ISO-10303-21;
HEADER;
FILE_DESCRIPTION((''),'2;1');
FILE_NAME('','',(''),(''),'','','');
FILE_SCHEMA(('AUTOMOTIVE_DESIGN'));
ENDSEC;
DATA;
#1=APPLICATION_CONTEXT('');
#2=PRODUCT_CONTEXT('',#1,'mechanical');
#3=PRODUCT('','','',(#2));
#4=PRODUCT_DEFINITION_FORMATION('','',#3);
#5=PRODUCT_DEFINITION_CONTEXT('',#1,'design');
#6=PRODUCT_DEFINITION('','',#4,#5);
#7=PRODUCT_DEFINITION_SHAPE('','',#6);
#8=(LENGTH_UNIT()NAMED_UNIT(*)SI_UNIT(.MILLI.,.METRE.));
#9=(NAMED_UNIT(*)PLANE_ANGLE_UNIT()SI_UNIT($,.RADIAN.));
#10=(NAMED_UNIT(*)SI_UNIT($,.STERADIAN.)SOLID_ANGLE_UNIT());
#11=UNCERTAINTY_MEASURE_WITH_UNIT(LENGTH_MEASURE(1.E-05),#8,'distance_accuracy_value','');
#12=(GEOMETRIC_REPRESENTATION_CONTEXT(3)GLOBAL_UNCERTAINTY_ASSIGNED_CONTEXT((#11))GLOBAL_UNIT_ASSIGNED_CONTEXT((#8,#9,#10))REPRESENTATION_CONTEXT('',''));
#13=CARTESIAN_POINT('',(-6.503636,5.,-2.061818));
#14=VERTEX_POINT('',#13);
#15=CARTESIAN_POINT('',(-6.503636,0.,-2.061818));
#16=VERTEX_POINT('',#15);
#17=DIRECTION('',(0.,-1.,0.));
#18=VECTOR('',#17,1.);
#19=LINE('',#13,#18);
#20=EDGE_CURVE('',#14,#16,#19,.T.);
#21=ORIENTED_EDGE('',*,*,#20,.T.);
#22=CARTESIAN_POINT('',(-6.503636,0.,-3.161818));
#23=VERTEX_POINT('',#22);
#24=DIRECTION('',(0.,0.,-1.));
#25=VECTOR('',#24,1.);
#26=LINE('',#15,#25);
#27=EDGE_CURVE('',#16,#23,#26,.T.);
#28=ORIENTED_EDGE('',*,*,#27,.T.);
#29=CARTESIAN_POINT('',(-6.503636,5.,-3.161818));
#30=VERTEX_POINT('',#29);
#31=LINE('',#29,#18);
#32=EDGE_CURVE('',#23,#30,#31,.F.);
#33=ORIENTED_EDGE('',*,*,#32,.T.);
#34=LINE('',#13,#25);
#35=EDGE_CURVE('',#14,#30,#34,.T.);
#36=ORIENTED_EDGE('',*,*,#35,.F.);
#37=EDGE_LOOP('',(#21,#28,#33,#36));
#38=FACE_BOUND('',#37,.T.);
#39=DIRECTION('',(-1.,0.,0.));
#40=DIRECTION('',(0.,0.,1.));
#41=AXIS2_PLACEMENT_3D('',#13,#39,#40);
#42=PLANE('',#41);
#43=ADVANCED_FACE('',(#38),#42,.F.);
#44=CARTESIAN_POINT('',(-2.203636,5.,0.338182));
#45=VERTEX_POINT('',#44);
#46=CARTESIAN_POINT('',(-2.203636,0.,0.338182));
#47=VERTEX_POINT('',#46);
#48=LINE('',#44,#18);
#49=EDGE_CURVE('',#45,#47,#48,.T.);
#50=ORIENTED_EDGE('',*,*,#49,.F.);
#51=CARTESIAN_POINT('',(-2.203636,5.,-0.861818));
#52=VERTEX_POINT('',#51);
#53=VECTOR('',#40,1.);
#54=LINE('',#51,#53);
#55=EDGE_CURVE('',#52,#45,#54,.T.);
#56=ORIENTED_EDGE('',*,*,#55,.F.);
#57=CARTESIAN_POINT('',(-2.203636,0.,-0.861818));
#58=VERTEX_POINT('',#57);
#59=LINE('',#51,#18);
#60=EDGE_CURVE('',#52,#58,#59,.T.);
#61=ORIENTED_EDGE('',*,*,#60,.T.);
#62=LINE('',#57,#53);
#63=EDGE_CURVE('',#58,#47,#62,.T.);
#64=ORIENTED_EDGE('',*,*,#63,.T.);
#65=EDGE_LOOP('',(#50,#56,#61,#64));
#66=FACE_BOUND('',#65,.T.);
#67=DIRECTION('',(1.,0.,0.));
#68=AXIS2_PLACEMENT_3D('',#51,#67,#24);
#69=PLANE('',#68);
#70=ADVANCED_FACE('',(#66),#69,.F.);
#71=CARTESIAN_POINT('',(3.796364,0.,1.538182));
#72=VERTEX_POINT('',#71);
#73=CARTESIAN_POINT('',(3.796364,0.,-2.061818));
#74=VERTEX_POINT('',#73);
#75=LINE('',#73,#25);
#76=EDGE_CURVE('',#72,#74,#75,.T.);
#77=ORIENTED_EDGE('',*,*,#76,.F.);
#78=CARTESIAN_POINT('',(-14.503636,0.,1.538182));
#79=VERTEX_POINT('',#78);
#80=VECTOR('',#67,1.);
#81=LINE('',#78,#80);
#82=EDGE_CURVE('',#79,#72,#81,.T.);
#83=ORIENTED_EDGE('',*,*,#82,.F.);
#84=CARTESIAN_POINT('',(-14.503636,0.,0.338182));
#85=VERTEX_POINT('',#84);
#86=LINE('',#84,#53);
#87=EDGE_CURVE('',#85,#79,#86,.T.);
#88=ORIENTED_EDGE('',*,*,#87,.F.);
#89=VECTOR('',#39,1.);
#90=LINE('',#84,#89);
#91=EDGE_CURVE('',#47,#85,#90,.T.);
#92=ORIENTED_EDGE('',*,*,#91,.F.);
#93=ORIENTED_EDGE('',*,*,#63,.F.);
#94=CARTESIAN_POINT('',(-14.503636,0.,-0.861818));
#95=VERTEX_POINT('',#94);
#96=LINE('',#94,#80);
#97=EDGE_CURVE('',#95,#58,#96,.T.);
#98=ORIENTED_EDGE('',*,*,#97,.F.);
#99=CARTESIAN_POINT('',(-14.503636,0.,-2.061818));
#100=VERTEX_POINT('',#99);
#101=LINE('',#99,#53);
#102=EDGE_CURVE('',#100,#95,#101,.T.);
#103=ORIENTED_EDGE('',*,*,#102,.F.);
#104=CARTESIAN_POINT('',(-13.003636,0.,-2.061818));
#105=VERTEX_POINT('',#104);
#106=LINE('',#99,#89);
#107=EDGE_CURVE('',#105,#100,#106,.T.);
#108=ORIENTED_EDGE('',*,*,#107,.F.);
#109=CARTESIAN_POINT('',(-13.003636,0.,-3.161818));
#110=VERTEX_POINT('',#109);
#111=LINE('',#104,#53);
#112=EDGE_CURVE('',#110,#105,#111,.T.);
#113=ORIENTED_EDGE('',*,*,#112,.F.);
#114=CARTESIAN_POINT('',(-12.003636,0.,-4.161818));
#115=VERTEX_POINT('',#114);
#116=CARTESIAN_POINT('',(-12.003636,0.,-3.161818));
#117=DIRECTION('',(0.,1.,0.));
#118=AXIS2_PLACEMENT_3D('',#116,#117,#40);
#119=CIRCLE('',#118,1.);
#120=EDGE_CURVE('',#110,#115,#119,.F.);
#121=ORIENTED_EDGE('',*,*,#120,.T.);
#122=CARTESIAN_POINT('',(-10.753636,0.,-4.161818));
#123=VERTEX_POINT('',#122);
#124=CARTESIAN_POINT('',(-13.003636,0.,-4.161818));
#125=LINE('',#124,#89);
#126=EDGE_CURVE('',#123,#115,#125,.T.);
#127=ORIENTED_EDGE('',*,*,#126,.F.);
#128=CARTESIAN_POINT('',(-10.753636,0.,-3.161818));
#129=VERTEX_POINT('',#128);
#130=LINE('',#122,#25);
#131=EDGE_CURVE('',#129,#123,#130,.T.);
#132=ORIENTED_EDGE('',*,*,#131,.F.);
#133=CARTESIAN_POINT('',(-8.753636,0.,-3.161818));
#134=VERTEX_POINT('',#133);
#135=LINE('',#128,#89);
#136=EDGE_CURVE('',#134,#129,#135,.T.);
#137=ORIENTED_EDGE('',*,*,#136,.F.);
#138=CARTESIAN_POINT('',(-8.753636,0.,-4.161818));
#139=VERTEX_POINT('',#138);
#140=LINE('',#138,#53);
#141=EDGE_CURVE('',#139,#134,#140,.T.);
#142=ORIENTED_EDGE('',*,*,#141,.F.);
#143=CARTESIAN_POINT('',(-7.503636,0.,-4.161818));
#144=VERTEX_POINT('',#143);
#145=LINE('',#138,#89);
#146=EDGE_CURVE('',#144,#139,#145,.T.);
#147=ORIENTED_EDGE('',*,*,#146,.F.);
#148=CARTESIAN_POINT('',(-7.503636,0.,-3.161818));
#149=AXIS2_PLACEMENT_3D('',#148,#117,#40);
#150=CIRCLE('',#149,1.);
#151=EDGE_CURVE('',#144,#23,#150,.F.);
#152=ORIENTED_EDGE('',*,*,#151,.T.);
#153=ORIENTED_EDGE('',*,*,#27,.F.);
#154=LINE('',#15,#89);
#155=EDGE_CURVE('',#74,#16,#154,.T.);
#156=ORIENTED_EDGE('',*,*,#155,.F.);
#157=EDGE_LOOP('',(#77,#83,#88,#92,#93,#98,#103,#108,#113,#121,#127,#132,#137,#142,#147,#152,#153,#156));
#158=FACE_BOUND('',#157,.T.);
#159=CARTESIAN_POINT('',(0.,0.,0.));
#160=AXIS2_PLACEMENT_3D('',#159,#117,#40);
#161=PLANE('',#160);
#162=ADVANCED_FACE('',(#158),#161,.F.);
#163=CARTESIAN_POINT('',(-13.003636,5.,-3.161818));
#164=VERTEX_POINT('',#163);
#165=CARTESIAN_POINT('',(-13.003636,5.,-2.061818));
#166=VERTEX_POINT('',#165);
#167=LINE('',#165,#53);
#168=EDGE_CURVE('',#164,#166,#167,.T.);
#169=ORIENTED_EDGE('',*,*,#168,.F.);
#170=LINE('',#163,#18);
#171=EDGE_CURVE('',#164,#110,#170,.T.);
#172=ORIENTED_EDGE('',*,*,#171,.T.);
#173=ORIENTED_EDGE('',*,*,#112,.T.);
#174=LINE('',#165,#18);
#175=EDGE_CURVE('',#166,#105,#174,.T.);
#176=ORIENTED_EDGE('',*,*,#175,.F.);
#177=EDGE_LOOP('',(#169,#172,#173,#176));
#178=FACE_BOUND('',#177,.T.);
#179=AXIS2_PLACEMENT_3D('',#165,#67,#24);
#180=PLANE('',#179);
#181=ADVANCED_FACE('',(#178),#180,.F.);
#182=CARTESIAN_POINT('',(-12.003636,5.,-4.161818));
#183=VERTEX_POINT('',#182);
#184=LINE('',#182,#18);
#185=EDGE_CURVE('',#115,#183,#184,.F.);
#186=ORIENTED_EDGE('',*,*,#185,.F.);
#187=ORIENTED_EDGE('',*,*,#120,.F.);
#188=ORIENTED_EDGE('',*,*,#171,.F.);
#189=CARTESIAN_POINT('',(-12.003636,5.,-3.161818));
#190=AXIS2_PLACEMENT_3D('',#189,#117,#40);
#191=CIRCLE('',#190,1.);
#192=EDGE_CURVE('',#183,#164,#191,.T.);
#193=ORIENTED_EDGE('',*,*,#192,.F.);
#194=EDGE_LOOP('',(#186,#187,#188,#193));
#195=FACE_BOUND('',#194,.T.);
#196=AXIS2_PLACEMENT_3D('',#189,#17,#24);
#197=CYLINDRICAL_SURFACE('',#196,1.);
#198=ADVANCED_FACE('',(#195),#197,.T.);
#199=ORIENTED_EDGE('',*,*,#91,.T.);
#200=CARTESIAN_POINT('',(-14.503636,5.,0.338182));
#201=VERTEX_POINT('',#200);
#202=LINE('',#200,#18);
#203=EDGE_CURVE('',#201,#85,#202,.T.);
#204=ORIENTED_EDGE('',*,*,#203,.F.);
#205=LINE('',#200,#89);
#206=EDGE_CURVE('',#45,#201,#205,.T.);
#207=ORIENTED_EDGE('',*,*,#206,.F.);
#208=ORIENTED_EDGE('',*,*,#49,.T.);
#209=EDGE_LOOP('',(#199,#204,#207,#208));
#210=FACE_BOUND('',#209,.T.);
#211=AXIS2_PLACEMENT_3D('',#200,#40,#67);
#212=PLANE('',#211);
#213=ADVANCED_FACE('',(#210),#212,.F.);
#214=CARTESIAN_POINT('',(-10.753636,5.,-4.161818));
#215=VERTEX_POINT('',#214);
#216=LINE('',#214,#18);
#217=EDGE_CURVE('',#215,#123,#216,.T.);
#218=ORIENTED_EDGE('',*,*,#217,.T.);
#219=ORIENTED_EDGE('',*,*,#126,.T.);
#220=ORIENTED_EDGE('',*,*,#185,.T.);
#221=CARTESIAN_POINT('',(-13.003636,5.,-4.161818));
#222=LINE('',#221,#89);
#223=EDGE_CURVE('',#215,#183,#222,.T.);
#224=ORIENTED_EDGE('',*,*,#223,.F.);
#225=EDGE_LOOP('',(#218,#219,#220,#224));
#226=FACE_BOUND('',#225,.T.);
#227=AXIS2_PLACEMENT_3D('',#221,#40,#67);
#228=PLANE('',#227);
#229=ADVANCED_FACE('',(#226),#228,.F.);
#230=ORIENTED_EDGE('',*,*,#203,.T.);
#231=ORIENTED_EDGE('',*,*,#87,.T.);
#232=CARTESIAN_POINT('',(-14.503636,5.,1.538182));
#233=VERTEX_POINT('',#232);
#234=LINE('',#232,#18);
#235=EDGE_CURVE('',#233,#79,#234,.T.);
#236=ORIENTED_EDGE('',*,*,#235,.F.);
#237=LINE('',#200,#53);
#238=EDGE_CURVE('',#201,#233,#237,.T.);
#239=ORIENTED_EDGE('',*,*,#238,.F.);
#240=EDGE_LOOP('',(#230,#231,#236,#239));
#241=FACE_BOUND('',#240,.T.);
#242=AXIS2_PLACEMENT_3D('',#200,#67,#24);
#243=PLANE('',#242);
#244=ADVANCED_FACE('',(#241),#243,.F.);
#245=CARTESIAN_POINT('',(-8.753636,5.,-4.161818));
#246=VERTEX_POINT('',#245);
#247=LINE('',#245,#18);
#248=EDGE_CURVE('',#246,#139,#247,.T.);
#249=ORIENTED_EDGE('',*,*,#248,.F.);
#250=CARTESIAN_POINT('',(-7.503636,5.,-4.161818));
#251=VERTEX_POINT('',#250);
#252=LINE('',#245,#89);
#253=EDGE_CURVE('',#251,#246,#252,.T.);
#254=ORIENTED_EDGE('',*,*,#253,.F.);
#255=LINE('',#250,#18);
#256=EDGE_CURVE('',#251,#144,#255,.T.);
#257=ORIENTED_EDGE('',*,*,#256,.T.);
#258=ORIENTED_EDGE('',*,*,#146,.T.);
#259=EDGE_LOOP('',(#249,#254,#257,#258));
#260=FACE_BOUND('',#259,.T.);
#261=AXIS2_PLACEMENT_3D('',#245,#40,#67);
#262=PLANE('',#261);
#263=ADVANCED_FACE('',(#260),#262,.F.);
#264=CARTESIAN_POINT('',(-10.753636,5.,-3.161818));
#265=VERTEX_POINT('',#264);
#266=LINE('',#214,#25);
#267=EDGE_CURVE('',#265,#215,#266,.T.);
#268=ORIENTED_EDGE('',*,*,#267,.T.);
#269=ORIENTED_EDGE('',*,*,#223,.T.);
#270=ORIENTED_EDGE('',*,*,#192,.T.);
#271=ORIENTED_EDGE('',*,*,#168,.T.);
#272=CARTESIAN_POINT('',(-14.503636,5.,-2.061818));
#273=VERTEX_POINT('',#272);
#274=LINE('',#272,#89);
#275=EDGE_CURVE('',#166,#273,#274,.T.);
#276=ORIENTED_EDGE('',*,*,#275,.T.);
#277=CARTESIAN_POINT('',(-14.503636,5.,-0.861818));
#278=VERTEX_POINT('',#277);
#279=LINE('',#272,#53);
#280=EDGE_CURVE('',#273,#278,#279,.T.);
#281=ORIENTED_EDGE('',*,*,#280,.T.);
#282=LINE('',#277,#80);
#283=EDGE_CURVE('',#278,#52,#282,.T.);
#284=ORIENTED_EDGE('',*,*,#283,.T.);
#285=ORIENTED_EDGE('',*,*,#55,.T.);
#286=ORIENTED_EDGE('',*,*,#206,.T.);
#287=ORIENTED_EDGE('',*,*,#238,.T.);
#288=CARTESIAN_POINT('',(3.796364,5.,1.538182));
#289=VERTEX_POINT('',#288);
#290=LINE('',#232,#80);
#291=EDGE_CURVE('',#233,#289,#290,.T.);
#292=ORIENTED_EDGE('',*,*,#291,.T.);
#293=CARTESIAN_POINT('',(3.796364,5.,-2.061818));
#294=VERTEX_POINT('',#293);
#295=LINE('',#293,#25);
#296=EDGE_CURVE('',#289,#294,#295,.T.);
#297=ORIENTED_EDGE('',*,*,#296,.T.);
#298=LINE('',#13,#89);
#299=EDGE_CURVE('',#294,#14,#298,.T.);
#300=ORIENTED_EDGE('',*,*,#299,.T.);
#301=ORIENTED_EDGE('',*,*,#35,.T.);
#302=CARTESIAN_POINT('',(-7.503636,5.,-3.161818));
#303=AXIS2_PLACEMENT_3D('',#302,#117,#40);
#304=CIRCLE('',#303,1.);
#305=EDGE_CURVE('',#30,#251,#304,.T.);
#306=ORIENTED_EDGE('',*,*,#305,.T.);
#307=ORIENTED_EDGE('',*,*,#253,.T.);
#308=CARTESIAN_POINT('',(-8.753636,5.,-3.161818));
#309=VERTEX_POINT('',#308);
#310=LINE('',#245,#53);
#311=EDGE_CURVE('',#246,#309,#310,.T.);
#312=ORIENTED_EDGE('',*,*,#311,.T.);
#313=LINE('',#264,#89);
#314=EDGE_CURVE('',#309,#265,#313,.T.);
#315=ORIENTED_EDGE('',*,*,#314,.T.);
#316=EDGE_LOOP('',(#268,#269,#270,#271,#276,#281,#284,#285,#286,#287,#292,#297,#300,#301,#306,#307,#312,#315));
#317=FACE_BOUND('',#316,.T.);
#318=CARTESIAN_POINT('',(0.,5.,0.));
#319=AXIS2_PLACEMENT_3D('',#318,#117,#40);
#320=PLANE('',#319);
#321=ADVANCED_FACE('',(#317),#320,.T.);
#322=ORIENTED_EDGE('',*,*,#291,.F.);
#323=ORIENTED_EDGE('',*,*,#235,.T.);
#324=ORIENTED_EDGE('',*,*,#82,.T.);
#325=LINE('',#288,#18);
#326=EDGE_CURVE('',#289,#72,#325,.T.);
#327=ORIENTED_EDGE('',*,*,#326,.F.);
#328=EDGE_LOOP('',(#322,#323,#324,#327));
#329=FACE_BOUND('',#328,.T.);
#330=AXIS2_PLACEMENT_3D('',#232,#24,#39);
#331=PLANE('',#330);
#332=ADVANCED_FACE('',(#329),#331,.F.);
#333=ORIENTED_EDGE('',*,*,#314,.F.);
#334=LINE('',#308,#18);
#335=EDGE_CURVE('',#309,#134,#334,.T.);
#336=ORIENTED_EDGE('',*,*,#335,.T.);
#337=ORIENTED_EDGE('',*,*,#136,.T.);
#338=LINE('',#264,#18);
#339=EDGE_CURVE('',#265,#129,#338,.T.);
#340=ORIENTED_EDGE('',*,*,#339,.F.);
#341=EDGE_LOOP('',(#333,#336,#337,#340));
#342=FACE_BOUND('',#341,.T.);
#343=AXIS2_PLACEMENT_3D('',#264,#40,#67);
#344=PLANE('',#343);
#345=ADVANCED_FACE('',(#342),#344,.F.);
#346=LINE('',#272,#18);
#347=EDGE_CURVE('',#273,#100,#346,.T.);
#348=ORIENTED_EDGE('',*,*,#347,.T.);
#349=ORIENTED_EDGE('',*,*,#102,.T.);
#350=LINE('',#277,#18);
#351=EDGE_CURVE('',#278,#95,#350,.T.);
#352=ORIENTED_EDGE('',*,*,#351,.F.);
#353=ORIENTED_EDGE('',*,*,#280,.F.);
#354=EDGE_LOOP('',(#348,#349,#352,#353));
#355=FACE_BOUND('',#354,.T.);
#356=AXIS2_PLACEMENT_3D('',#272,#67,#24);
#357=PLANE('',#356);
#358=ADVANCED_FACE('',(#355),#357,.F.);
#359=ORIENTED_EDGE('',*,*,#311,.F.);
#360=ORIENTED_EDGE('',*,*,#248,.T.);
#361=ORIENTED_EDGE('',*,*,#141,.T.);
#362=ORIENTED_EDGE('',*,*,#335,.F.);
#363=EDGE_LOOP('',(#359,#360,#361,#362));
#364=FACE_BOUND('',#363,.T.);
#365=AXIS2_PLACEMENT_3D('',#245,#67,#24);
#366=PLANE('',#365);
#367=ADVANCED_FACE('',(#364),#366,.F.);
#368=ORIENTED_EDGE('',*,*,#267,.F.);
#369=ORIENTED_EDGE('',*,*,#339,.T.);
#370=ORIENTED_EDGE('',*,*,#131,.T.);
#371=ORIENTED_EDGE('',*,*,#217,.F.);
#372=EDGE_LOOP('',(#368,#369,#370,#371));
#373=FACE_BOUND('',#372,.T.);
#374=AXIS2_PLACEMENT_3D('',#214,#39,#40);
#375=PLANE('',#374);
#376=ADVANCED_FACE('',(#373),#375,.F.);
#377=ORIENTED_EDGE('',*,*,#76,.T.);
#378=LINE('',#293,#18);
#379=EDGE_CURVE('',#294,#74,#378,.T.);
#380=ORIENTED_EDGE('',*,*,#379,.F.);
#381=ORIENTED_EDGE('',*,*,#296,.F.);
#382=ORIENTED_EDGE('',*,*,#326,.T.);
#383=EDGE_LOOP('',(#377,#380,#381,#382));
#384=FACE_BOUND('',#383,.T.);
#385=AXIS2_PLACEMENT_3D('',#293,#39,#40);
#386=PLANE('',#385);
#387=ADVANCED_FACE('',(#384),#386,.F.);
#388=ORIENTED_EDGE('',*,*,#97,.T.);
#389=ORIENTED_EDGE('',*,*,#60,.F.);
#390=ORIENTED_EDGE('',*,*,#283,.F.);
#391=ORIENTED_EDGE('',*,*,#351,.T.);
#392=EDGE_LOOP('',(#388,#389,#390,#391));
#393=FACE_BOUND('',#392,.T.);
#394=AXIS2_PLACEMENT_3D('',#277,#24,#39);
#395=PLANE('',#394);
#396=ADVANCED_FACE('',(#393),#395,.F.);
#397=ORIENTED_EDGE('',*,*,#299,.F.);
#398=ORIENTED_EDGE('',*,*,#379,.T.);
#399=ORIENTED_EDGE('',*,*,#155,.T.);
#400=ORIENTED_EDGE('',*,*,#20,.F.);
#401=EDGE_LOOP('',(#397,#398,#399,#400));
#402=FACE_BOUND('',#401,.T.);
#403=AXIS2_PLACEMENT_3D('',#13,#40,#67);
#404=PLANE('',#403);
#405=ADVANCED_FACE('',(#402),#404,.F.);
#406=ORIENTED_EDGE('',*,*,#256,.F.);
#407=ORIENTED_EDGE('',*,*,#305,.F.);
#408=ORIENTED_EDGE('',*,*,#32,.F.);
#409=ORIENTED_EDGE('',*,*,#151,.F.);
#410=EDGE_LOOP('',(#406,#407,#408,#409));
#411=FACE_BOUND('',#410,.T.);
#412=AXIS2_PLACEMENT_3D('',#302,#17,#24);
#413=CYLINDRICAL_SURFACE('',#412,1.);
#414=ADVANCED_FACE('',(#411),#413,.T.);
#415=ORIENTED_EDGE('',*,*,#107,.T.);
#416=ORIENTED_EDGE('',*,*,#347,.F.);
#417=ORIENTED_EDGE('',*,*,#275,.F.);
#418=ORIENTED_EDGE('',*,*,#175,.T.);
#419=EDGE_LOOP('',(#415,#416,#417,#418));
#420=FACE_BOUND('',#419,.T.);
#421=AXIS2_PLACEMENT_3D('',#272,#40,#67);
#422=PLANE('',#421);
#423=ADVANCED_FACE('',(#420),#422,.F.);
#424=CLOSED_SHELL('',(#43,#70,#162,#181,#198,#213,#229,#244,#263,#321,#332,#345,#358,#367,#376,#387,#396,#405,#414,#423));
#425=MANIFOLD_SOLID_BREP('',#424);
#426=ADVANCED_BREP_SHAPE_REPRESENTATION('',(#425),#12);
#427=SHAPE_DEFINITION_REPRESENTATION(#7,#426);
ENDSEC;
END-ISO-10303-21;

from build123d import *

# Parameters (mm, degrees)
BOSS_EXTRUDE1_DEPTH = 5
FILLET1_R           = 1


with BuildPart() as part:
    # Sketch1 → Boss-Extrude1 (new body)
    with BuildSketch(Plane(origin=(0, 0, 0), x_dir=(1, 0, 0), z_dir=(0, 1, 0))):
        Polygon((-8.753636364, 4.161818182), (-6.503636364, 4.161818182), (-6.503636364, 2.061818182), (3.796363636, 2.061818182), (3.796363636, -1.538181818), (-14.503636364, -1.538181818), (-14.503636364, -0.338181818), (-2.203636364, -0.338181818), (-2.203636364, 0.861818182), (-14.503636364, 0.861818182), (-14.503636364, 2.061818182), (-13.003636364, 2.061818182), (-13.003636364, 4.161818182), (-10.753636364, 4.161818182), (-10.753636364, 3.161818182), (-8.753636364, 3.161818182), align=None)
    extrude(amount=BOSS_EXTRUDE1_DEPTH)

    # Fillet1
    fillet1_edges = [part.edges().sort_by_distance(p)[0] for p in [
        (-13.003636364, 2.5, -4.161818182),
        (-6.503636364, 2.5, -4.161818182),
    ]]
    fillet(fillet1_edges, radius=FILLET1_R)


solid = part.part
